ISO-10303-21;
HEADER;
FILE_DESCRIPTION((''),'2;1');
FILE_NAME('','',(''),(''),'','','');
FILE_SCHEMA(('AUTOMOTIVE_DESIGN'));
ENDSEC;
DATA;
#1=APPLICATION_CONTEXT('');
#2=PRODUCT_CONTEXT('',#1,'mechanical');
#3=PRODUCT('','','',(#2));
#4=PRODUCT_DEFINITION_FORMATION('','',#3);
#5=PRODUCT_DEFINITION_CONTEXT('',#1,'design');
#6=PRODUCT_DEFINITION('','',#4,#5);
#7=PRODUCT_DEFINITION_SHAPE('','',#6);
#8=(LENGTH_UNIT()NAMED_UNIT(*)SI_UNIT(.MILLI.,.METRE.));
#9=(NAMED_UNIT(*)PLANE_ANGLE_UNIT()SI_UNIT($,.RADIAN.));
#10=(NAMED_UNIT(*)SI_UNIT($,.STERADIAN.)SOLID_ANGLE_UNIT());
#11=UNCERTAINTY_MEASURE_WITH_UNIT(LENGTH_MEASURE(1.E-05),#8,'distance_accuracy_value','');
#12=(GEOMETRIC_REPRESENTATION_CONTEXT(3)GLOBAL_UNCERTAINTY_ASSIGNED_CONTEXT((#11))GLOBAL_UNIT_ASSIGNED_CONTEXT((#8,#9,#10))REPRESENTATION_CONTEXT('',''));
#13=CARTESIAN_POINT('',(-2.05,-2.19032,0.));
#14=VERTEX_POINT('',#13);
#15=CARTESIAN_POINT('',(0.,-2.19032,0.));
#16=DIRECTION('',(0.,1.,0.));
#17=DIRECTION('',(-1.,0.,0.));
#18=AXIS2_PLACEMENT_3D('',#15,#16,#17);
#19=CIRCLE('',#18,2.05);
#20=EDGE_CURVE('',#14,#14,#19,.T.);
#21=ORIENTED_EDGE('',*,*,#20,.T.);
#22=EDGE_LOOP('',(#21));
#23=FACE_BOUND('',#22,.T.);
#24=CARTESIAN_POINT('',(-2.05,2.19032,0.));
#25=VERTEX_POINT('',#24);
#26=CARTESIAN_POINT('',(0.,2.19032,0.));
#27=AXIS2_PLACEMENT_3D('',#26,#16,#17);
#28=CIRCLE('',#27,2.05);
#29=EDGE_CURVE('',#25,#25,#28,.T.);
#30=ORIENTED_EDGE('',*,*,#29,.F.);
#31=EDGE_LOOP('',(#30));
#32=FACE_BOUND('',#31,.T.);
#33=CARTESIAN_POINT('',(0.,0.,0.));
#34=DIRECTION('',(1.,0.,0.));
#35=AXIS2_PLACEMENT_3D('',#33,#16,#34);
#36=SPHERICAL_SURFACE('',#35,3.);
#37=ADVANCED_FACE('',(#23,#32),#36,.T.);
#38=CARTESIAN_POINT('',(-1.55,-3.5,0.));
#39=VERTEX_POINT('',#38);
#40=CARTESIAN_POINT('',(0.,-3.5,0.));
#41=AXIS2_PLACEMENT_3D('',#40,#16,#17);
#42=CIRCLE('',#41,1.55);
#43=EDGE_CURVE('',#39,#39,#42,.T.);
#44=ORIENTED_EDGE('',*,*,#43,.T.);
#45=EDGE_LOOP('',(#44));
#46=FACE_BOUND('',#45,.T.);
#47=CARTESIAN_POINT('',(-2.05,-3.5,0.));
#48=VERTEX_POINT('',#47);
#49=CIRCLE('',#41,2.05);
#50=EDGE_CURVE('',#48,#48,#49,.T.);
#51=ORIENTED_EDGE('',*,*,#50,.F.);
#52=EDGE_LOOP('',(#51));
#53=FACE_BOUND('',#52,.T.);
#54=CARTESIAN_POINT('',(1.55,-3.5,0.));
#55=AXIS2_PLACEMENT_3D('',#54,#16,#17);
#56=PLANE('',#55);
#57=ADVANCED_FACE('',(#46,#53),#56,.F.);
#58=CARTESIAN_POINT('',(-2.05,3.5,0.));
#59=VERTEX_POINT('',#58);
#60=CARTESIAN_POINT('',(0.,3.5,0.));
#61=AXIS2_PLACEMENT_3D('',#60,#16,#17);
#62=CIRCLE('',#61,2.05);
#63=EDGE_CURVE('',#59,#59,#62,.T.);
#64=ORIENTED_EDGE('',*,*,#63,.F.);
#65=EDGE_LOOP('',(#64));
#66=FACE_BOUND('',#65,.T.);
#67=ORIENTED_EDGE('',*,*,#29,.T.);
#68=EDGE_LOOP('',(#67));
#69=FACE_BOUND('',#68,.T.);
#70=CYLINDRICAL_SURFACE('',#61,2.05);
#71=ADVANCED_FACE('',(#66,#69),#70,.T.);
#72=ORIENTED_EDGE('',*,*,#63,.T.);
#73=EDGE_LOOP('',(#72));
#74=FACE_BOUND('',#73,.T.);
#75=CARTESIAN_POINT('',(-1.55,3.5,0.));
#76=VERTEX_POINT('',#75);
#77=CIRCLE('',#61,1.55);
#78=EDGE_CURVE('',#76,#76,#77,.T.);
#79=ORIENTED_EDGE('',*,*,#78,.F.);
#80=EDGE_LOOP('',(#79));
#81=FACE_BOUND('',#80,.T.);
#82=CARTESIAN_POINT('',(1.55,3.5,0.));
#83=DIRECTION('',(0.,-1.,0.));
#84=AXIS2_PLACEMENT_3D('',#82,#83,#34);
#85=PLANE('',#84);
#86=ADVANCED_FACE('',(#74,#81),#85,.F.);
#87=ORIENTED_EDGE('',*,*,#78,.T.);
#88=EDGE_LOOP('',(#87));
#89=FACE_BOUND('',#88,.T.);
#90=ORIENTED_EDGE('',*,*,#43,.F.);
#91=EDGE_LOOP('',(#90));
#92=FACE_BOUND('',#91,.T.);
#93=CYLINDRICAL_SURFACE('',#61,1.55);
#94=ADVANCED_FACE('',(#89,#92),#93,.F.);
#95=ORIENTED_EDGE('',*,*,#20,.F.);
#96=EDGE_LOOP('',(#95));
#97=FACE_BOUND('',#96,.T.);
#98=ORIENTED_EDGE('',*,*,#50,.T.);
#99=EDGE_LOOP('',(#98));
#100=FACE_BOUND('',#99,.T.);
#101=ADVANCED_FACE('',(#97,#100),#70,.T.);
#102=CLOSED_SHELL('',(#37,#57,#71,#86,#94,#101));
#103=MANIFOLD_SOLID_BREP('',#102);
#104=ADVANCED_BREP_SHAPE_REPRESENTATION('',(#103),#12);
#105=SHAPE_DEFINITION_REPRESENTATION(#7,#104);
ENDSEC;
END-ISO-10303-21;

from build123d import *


with BuildPart() as part:
    # Sketch2 → Revolve1 (revolve)
    with BuildSketch(Plane.XY):
        with BuildLine():
            Line((1.55, 3.5), (1.55, -3.5))
            Line((1.55, -3.5), (2.05, -3.5))
            Line((2.05, -3.5), (2.05, -2.190319611))
            ThreePointArc((2.05, -2.190319611), (3, 0), (2.05, 2.190319611))
            Line((2.05, 2.190319611), (2.05, 3.5))
            Line((2.05, 3.5), (1.55, 3.5))
        make_face()
    revolve(axis=Axis((0, 3.5, 0), (0, -1, 0)))


solid = part.part
